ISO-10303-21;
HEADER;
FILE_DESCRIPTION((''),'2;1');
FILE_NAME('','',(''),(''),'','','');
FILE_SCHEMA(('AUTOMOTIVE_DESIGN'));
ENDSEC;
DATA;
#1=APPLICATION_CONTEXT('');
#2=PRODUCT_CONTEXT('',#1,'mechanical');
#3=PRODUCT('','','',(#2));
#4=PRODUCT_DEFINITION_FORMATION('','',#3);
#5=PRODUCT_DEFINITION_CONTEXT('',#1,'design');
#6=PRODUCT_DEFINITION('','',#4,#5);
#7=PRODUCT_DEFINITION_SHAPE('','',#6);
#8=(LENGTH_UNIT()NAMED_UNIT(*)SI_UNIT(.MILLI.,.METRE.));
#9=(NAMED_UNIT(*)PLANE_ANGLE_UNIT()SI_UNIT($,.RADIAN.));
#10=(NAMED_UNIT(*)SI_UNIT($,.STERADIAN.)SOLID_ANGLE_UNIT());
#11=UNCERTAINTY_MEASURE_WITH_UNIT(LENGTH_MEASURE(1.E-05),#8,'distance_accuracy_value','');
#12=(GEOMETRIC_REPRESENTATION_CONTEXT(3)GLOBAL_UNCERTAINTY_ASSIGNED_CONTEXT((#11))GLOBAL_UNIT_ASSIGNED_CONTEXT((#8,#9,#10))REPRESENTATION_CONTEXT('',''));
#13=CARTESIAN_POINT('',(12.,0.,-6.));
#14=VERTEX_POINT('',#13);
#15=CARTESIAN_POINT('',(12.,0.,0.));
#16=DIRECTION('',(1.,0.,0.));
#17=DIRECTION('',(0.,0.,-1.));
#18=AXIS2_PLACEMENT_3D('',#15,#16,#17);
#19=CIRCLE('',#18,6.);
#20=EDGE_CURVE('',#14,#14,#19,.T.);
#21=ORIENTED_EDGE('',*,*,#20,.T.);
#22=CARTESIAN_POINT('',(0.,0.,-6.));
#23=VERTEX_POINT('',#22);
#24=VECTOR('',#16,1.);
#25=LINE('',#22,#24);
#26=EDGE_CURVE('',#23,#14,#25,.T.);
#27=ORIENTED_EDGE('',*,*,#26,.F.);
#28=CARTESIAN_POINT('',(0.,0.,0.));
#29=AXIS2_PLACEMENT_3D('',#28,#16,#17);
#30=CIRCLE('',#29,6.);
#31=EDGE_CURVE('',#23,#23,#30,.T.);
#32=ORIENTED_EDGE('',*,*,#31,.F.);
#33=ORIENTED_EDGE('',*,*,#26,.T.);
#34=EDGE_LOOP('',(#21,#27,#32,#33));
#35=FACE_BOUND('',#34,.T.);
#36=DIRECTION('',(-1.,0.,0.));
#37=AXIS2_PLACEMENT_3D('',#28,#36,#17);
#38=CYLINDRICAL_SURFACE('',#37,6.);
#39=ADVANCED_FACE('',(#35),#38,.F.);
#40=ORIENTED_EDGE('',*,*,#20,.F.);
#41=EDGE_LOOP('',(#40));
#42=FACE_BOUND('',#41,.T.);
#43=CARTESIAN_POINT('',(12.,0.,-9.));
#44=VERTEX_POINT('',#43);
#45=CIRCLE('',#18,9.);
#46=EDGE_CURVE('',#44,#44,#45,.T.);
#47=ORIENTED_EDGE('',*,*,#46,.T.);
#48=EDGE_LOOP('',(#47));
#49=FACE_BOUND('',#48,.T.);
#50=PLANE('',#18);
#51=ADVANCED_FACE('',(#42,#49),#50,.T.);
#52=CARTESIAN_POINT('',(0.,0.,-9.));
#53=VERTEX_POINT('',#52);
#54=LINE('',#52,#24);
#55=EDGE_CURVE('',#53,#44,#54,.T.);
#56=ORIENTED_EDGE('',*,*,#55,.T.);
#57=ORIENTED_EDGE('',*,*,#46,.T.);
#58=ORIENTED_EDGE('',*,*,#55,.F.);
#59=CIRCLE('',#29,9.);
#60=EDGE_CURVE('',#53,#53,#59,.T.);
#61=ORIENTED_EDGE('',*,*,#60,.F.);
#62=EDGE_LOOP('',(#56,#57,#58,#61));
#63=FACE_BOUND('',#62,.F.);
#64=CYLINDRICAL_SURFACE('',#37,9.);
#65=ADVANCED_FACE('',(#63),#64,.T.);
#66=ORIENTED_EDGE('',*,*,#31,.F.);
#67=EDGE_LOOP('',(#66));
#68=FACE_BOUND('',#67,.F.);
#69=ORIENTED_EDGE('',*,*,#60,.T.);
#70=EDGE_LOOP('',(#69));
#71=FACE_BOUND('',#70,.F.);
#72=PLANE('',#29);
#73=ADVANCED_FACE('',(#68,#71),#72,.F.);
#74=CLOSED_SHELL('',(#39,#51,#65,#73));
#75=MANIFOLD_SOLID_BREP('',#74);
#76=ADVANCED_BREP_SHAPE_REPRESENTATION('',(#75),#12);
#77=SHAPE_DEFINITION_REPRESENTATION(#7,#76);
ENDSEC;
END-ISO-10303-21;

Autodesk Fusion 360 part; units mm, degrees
sketch "Sketch1" plane through (0, 0, 0) normal (1, 0, 0) x (0, 0, -1)
  circle A0 centre (0, 0) radius 6
  circle A1 centre (0, 0) radius 9
  dimension "d1" = 12
  dimension "d2" = 18
extrude "Extrude1" add sketch "Sketch1" along normal blind 12 makes body 1
copy_body "Body->Comp1" bodies 1 removing the originals makes body 2 in component "12x18x12 bushing"
component "12x18x12 bushing" placed x (1, 0, 0) y (0, 1, 0) z (0, 0, 1) at (0, 0, 0)
